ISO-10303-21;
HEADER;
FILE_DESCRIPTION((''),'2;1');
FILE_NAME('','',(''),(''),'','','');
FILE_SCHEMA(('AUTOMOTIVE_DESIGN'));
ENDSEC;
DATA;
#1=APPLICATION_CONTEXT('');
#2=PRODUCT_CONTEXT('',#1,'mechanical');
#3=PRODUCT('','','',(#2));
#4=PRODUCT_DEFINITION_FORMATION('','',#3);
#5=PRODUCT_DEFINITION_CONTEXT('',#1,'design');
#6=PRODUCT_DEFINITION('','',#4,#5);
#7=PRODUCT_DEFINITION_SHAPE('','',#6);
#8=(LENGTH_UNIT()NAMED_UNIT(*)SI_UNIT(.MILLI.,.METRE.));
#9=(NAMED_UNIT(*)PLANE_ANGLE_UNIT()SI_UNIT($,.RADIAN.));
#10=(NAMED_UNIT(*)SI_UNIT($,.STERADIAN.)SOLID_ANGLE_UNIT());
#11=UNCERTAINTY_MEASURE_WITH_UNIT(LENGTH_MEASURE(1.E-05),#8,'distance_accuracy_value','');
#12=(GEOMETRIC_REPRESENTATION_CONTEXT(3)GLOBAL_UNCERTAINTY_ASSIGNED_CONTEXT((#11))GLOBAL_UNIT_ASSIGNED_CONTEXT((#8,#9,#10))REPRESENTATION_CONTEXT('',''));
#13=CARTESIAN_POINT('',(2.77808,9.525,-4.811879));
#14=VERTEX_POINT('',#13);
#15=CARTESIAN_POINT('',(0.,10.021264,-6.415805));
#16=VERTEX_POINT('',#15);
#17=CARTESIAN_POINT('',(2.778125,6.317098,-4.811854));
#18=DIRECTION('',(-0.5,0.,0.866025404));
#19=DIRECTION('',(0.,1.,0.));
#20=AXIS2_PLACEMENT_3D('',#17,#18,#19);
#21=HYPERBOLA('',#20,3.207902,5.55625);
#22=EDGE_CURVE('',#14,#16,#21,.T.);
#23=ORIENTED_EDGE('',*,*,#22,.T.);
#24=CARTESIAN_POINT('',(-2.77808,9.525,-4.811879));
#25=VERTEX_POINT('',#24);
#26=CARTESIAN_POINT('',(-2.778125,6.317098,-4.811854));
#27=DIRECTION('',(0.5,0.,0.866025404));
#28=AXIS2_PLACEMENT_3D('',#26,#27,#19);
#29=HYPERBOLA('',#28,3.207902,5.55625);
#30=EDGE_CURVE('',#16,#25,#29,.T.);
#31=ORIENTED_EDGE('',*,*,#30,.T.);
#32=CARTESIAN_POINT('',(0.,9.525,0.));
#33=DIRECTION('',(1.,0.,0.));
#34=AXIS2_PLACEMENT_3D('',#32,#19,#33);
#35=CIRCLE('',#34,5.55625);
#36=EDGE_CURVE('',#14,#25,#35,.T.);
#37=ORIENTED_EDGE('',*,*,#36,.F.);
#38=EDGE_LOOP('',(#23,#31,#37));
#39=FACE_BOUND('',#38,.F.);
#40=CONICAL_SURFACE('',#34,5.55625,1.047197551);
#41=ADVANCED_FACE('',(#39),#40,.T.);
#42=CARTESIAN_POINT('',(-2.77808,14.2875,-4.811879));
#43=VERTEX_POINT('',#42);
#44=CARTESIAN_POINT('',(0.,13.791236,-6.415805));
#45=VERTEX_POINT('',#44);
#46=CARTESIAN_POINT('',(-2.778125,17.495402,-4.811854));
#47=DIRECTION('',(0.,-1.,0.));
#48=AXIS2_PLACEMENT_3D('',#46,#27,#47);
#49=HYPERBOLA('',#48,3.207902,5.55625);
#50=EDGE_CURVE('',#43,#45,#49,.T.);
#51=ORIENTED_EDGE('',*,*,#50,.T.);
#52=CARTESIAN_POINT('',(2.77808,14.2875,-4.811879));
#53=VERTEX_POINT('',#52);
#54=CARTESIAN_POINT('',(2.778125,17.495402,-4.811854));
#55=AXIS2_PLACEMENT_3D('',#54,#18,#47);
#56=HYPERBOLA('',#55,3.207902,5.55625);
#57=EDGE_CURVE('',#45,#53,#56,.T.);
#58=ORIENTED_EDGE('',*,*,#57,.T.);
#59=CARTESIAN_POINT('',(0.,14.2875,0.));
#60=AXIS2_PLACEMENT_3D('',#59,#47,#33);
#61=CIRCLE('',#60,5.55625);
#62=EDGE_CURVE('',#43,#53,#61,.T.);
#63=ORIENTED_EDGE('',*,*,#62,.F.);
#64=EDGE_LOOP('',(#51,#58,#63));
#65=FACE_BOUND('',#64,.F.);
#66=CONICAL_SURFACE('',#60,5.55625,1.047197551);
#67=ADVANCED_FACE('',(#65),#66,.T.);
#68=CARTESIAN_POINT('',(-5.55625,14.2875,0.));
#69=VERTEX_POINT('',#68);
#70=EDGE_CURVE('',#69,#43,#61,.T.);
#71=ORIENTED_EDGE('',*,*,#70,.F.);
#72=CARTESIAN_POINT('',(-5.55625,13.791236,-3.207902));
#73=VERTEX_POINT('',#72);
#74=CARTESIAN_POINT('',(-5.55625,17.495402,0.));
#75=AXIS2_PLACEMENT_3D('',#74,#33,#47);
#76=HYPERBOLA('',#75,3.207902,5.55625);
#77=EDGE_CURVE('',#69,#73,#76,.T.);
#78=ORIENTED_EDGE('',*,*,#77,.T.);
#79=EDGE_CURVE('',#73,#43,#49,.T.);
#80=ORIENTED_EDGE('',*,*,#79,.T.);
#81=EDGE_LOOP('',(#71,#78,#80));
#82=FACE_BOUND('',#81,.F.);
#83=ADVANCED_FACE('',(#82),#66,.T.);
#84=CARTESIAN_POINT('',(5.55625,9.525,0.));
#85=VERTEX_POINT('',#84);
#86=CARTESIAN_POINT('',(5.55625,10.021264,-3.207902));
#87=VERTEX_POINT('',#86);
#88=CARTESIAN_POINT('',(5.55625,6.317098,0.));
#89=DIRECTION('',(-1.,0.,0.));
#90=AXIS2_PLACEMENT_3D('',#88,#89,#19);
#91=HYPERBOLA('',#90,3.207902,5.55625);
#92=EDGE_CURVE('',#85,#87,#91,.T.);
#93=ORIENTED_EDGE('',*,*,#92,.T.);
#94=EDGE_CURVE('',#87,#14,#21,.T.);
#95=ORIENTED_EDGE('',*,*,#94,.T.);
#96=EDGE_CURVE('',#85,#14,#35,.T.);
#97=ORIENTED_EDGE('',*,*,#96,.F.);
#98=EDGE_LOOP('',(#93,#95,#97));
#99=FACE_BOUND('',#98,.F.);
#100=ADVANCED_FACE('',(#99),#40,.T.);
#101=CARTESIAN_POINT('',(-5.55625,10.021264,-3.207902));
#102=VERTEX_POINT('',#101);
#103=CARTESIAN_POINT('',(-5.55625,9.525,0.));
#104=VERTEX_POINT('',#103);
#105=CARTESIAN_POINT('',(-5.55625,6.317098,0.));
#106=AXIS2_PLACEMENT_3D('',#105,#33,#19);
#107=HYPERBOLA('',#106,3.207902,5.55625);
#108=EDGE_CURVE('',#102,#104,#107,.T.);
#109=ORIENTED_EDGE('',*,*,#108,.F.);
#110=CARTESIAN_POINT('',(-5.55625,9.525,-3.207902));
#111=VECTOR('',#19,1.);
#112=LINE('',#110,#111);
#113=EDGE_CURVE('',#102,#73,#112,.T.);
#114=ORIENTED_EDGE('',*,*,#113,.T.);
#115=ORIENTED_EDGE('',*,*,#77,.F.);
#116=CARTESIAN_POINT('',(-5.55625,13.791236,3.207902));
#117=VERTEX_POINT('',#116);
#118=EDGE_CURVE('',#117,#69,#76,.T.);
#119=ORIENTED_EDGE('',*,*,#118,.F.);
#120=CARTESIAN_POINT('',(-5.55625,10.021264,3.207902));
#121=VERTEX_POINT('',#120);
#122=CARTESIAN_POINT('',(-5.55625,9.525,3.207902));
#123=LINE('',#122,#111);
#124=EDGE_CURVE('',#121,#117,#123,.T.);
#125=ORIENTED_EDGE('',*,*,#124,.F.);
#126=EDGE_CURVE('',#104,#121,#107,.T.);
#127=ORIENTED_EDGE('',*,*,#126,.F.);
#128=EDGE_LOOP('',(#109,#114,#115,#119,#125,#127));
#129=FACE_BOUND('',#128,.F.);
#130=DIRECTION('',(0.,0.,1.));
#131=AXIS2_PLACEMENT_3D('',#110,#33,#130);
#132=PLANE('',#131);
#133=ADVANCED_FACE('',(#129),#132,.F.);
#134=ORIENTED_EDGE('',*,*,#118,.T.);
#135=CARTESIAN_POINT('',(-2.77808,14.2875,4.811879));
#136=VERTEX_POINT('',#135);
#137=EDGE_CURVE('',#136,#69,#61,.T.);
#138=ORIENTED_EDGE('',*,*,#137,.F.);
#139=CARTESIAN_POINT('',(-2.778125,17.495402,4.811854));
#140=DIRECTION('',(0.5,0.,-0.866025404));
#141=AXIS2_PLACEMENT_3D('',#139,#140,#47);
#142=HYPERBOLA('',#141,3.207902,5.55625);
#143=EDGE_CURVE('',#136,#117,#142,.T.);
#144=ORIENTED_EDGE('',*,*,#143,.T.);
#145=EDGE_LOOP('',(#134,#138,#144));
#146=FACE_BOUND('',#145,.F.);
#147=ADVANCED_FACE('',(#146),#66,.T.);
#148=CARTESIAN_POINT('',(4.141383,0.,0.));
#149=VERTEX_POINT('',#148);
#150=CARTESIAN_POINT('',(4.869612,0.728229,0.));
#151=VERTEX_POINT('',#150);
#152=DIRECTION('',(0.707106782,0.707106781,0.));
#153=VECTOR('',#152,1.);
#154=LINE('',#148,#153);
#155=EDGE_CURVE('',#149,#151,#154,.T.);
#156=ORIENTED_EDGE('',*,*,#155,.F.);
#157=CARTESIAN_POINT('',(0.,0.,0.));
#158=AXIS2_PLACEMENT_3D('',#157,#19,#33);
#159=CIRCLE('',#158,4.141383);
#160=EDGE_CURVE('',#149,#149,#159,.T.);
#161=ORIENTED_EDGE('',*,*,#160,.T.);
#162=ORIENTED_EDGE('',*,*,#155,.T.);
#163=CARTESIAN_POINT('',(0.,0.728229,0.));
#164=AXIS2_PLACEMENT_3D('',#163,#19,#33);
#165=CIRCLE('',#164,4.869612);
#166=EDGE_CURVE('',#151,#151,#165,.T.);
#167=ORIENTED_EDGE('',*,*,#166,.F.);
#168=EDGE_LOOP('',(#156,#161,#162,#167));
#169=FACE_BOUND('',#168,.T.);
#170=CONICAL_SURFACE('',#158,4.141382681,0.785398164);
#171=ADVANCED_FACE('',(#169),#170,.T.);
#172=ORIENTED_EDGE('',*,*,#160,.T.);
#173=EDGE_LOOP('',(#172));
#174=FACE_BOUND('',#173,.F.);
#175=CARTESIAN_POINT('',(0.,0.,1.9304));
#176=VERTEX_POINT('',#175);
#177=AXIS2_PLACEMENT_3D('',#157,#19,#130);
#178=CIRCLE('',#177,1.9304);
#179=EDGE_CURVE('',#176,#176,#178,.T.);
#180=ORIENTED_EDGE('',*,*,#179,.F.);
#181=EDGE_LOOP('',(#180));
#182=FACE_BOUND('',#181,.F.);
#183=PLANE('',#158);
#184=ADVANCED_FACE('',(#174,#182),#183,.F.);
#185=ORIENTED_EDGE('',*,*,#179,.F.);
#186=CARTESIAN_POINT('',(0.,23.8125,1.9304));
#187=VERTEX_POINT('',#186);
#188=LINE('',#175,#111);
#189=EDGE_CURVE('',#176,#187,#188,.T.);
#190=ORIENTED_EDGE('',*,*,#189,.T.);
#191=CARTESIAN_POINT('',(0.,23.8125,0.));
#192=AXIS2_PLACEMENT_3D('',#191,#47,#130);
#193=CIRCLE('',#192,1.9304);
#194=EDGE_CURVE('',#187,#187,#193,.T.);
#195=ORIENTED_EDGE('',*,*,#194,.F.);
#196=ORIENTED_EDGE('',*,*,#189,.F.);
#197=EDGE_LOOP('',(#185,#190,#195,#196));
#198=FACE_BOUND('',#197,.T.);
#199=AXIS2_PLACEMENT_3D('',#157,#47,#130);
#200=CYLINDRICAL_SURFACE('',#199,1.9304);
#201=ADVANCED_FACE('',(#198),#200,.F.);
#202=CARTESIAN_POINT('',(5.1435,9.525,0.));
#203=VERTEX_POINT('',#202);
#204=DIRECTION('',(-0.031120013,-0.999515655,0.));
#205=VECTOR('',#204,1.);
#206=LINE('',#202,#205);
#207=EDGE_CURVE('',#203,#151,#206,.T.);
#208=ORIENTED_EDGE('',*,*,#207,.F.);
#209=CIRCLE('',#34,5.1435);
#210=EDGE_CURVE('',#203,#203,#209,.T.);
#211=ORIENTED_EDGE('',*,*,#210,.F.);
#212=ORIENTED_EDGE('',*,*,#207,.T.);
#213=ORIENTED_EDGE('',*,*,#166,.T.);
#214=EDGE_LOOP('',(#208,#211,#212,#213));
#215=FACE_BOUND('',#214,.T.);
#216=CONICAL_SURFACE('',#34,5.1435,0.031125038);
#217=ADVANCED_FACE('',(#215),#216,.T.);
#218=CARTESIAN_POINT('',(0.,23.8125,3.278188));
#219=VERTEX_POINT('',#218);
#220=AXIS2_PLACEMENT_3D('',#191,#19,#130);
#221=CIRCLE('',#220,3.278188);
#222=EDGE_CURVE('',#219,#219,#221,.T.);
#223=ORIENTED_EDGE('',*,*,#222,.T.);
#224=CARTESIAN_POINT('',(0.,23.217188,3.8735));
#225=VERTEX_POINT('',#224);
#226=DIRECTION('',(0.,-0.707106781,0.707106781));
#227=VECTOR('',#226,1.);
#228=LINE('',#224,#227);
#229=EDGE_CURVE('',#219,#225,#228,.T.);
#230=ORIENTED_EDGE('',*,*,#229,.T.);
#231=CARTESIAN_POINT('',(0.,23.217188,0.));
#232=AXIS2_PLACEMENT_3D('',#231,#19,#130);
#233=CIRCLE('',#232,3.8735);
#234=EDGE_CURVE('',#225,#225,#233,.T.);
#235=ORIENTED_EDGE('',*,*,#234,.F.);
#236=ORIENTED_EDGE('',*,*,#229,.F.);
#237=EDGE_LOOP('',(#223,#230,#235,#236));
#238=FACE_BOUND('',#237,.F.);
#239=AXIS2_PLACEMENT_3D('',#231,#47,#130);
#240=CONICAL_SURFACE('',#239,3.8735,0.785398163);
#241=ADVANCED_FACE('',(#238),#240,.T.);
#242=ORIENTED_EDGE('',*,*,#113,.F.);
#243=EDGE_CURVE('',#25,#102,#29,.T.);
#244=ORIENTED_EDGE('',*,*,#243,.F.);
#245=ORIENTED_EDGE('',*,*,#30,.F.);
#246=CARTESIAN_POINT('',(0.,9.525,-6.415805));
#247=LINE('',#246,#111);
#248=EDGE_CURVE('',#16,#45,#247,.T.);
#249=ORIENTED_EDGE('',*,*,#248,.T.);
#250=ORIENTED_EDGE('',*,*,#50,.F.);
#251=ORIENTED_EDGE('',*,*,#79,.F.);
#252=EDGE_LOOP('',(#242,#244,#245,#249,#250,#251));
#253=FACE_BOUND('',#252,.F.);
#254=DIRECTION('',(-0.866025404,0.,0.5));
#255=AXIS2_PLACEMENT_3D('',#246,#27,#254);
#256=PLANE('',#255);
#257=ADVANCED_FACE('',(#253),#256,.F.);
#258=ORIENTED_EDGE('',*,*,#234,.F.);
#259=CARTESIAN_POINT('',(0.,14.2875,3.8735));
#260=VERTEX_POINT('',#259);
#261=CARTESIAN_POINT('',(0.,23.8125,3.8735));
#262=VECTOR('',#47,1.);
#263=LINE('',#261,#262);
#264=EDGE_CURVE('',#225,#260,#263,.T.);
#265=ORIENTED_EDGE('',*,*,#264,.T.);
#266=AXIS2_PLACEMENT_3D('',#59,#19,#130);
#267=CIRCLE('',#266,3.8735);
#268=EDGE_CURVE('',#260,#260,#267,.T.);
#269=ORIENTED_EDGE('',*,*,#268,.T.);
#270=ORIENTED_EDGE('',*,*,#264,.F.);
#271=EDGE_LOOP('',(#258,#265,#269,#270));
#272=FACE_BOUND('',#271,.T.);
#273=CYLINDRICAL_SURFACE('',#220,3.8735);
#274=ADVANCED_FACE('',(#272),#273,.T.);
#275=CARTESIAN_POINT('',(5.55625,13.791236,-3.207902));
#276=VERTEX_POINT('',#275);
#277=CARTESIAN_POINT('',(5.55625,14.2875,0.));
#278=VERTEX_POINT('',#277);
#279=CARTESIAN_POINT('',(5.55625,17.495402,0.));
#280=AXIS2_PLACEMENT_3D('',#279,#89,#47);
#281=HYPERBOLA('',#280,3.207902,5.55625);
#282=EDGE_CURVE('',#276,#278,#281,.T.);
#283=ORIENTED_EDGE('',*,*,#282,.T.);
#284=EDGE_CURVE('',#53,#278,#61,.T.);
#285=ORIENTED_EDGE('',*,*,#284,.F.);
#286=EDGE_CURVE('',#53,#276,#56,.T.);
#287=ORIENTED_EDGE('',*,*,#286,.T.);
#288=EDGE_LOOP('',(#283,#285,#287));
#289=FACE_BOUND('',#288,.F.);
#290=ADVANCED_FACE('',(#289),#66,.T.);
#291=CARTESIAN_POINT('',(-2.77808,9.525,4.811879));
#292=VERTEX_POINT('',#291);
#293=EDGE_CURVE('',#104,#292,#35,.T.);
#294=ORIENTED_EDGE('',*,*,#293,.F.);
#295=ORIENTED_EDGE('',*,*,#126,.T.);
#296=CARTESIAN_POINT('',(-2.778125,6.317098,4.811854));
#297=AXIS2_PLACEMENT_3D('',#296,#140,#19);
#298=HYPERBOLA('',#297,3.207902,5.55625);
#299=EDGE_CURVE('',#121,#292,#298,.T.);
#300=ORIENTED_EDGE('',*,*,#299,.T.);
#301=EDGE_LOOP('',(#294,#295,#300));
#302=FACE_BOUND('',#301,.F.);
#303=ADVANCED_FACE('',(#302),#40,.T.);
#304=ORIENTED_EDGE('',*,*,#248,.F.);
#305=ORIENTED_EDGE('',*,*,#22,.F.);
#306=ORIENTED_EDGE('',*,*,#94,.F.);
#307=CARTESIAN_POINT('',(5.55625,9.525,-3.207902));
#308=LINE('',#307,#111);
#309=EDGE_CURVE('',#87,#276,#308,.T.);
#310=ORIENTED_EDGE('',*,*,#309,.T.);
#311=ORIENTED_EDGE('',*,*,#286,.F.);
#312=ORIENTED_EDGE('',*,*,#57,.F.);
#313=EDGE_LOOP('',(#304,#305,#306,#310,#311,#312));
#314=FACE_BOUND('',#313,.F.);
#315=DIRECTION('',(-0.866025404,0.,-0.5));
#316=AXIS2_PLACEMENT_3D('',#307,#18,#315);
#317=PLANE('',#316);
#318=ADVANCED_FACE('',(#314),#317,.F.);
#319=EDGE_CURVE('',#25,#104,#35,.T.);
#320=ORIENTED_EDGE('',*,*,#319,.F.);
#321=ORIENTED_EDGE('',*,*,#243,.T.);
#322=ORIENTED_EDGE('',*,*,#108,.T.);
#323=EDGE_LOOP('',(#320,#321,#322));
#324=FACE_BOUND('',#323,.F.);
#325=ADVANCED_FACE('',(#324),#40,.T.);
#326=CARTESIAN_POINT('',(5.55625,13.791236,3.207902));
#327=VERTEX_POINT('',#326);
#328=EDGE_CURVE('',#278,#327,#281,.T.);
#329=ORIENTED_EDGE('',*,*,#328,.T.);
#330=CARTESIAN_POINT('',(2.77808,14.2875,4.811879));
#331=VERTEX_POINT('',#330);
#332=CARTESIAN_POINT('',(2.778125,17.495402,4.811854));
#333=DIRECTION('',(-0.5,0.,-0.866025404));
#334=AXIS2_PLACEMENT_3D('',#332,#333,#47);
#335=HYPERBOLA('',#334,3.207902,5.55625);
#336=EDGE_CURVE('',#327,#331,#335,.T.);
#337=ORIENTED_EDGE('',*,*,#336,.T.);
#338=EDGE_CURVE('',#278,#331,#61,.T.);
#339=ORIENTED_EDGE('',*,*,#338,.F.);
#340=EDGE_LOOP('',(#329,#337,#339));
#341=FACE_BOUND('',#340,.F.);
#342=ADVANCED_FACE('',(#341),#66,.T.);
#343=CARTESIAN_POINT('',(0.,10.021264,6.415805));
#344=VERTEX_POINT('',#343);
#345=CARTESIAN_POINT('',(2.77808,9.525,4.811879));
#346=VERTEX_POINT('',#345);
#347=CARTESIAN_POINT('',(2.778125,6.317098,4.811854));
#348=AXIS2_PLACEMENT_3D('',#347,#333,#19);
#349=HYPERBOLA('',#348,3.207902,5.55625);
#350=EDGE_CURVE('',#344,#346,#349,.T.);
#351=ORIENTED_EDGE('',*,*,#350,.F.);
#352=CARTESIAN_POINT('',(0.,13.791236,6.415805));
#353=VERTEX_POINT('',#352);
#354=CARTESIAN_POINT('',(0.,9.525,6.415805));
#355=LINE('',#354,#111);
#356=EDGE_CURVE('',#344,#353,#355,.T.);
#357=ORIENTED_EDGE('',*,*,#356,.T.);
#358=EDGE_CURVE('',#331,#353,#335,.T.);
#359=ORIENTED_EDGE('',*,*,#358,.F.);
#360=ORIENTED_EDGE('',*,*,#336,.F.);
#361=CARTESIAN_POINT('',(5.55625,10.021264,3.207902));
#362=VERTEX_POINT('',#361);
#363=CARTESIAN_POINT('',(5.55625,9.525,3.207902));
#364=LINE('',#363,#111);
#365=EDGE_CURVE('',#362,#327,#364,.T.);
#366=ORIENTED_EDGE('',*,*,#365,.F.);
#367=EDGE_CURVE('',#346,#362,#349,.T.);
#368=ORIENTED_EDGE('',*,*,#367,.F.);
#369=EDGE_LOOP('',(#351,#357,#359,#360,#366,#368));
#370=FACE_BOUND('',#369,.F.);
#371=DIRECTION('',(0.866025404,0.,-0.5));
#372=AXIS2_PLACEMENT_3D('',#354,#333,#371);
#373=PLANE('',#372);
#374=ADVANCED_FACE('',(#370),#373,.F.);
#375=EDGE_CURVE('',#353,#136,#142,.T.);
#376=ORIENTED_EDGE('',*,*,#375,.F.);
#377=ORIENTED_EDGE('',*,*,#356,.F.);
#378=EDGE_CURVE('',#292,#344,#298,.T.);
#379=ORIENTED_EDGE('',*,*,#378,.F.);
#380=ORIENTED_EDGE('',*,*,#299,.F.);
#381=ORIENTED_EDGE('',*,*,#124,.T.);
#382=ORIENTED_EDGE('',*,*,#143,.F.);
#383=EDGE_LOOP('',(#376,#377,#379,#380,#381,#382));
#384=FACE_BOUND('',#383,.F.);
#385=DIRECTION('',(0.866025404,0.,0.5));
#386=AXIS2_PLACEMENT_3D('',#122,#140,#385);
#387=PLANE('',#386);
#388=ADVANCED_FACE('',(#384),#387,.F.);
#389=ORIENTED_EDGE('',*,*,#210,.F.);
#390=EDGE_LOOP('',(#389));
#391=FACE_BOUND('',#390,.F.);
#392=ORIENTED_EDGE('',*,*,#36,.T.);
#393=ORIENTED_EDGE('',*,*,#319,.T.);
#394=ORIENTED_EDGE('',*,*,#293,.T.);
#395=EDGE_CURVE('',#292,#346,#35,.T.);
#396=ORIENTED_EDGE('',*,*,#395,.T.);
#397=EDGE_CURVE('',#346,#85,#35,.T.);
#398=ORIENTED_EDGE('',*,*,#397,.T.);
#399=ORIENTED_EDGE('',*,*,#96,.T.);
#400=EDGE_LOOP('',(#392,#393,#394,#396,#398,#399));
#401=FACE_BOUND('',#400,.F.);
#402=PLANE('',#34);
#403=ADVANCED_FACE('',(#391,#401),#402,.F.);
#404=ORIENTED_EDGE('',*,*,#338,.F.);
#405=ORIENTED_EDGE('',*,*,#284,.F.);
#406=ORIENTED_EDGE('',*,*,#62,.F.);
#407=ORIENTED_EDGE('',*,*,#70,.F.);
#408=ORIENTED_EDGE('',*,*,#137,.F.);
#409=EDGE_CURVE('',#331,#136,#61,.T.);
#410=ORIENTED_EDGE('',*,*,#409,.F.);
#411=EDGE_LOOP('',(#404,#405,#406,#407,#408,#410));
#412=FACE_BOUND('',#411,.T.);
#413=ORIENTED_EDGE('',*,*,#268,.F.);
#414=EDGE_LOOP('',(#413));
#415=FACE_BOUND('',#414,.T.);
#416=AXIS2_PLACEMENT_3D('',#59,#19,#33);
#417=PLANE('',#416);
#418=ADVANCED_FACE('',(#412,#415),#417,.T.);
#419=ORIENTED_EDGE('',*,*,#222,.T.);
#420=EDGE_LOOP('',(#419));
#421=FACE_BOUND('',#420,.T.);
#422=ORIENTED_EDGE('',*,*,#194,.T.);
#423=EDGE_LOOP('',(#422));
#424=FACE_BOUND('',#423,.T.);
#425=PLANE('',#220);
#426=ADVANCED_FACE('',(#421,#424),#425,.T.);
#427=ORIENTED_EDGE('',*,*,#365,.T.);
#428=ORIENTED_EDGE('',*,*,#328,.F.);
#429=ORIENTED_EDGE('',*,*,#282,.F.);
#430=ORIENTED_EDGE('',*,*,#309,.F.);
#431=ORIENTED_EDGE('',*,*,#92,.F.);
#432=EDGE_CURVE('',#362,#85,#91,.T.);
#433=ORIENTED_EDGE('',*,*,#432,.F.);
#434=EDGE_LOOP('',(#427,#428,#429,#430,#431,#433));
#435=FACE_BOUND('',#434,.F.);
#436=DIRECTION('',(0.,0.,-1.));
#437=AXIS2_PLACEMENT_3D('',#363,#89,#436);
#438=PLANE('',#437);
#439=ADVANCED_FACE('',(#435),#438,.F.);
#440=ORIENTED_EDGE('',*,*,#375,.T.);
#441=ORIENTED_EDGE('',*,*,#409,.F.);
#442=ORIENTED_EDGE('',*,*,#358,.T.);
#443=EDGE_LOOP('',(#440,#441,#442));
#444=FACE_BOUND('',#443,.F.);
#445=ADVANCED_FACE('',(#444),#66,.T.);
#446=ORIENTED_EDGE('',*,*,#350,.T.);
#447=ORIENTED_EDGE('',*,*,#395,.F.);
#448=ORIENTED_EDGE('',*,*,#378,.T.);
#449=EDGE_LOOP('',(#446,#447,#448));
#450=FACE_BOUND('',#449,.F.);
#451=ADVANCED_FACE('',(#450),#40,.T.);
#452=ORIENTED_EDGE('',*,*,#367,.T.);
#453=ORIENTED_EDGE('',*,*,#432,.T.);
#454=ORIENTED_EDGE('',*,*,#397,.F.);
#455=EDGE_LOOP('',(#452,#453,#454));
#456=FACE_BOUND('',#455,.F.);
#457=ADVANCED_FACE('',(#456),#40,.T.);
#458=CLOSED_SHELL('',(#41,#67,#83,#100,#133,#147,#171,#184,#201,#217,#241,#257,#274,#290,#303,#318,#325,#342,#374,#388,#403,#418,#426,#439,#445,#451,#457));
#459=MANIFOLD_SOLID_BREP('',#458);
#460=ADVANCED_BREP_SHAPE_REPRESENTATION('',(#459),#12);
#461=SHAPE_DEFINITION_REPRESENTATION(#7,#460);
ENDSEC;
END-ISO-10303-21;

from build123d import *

# Parameters (mm, degrees)
SKETCH7_R               = 5.1435
BOSS_EXTRUDE3_DEPTH     = 9.525
BOSS_EXTRUDE3_DRAFT     = -1.783333333
BOSS_EXTRUDE4_DEPTH     = 4.7625
SKETCH9_R               = 3.8735
BOSS_EXTRUDE5_DEPTH     = 9.525
SKETCH10_R              = 1.9304
CUT_EXTRUDE1_DEPTH      = 26.279826392
SKETCH11_OUTSIDE_W      = 79.992
SKETCH11_OUTSIDE_H      = 81.712
SKETCH11_OUTSIDE_R      = 5.55625
CUT_EXTRUDE2_DEPTH      = 17.618276758
CUT_EXTRUDE2_DRAFT      = 60
MIRROR1_COPY_1_SKETCH_W = 79.992
MIRROR1_COPY_1_SKETCH_H = 81.712
MIRROR1_COPY_1_SKETCH_R = 5.55625
MIRROR1_COPY_1_DEPTH    = 17.618276758
MIRROR1_COPY_1_DRAFT    = 60
CHAMFER1_SIZE           = 0.705555556
CHAMFER1_SIZE2          = 0.728581919
CHAMFER2_SIZE           = 0.5953125


with BuildPart() as part:
    # Sketch7 → Boss-Extrude3 (with draft: the straight prism first)
    with BuildSketch(Plane(origin=(0, 9.525, 0), x_dir=(1, 0, 0), z_dir=(0, 1, 0))):
        Circle(SKETCH7_R)
    extrude(amount=-BOSS_EXTRUDE3_DEPTH)
    # Boss-Extrude3: the draft: its side faces are tilted about the plane it starts from
    boss_extrude3_sides = [part.faces().sort_by_distance(p)[0] for p in [
        (-5.1435, 4.7625, 0),
    ]]
    draft(boss_extrude3_sides, Plane(origin=(0, 9.525, 0), x_dir=(1, 0, 0), z_dir=(0, 1, 0)), BOSS_EXTRUDE3_DRAFT)

    # Sketch8 → Boss-Extrude4 (add)
    with BuildSketch(Plane(origin=(0, 9.525, 0), x_dir=(1, 0, 0), z_dir=(0, 1, 0))):
        Polygon((5.55625, -3.207902433), (5.55625, 3.207902433), (0, 6.415804866), (-5.55625, 3.207902433), (-5.55625, -3.207902433), (0, -6.415804866), align=None)
    extrude(amount=BOSS_EXTRUDE4_DEPTH)

    # Sketch9 → Boss-Extrude5 (add)
    with BuildSketch(Plane(origin=(0, 23.8125, 0), x_dir=(1, 0, 0), z_dir=(0, 1, 0))):
        with Locations(Location((0, 0, 0), (0, 0, 270))):
            Circle(SKETCH9_R)
    extrude(amount=-BOSS_EXTRUDE5_DEPTH)

    # Sketch10 → Cut-Extrude1 (cut, through all)
    with BuildSketch(Plane(origin=(0, 0, 0), x_dir=(1, 0, 0), z_dir=(0, 1, 0))):
        with Locations(Location((0, 0, 0), (0, 0, 270))):
            Circle(SKETCH10_R)
    extrude(amount=CUT_EXTRUDE1_DEPTH, mode=Mode.SUBTRACT)


with BuildPart() as cut_extrude2_tool:
    # Sketch11 outside → Cut-Extrude2 (with draft: the straight prism first)
    with BuildSketch(Plane(origin=(0, 9.525, 0), x_dir=(1, 0, 0), z_dir=(0, 1, 0))):
        Rectangle(SKETCH11_OUTSIDE_W, SKETCH11_OUTSIDE_H)
        Circle(SKETCH11_OUTSIDE_R, mode=Mode.SUBTRACT)
    extrude(amount=CUT_EXTRUDE2_DEPTH)
    # Cut-Extrude2: the draft: its side faces are tilted about the plane it starts from
    cut_extrude2_sides = [cut_extrude2_tool.faces().sort_by_distance(p)[0] for p in [
        (0, 18.334138379, 40.856),
        (39.996, 18.334138379, 0),
        (0, 18.334138379, -40.856),
        (-39.996, 18.334138379, 0),
        (-5.55625, 18.334138379, 0),
    ]]
    draft(cut_extrude2_sides, Plane(origin=(0, 9.525, 0), x_dir=(1, 0, 0), z_dir=(0, 1, 0)), CUT_EXTRUDE2_DRAFT)


with BuildPart() as part_1:
    add(part.part)

    # Cut-Extrude2: cut by cut_extrude2_tool
    add(cut_extrude2_tool.part, mode=Mode.SUBTRACT)


with BuildPart() as mirror1_copy_1_tool:
    # Mirror1 copy 1 sketch → Mirror1 copy 1 (with draft: the straight prism first)
    with BuildSketch(Plane.XZ.offset(-14.2875)):
        Rectangle(MIRROR1_COPY_1_SKETCH_W, MIRROR1_COPY_1_SKETCH_H)
        Circle(MIRROR1_COPY_1_SKETCH_R, mode=Mode.SUBTRACT)
    extrude(amount=MIRROR1_COPY_1_DEPTH)
    # Mirror1 copy 1: the draft: its side faces are tilted about the plane it starts from
    mirror1_copy_1_sides = [mirror1_copy_1_tool.faces().sort_by_distance(p)[0] for p in [
        (0, 5.478361621, 40.856),
        (39.996, 5.478361621, 0),
        (0, 5.478361621, -40.856),
        (-39.996, 5.478361621, 0),
        (-5.55625, 5.478361621, 0),
    ]]
    draft(mirror1_copy_1_sides, Plane.XZ.offset(-14.2875), MIRROR1_COPY_1_DRAFT)


with BuildPart() as part_2:
    add(part_1.part)

    # Mirror1 copy 1: cut by mirror1_copy_1_tool
    add(mirror1_copy_1_tool.part, mode=Mode.SUBTRACT)

    # Chamfer1
    chamfer1_edges = [part_2.edges().sort_by_distance(p)[0] for p in [
        (-4.846938237, 0, 0),
    ]]
    chamfer1_side = [part_2.faces().sort_by_distance(p)[0] for p in [
        (-4.709846121, 0, 0),
    ]]
    chamfer(chamfer1_edges, length=CHAMFER1_SIZE, length2=CHAMFER1_SIZE2, reference=chamfer1_side[0])

    # Chamfer2
    chamfer2_edges = [part_2.edges().sort_by_distance(p)[0] for p in [
        (0, 23.8125, -3.8735),
    ]]
    chamfer(chamfer2_edges, length=CHAMFER2_SIZE)


solid = part_2.part
